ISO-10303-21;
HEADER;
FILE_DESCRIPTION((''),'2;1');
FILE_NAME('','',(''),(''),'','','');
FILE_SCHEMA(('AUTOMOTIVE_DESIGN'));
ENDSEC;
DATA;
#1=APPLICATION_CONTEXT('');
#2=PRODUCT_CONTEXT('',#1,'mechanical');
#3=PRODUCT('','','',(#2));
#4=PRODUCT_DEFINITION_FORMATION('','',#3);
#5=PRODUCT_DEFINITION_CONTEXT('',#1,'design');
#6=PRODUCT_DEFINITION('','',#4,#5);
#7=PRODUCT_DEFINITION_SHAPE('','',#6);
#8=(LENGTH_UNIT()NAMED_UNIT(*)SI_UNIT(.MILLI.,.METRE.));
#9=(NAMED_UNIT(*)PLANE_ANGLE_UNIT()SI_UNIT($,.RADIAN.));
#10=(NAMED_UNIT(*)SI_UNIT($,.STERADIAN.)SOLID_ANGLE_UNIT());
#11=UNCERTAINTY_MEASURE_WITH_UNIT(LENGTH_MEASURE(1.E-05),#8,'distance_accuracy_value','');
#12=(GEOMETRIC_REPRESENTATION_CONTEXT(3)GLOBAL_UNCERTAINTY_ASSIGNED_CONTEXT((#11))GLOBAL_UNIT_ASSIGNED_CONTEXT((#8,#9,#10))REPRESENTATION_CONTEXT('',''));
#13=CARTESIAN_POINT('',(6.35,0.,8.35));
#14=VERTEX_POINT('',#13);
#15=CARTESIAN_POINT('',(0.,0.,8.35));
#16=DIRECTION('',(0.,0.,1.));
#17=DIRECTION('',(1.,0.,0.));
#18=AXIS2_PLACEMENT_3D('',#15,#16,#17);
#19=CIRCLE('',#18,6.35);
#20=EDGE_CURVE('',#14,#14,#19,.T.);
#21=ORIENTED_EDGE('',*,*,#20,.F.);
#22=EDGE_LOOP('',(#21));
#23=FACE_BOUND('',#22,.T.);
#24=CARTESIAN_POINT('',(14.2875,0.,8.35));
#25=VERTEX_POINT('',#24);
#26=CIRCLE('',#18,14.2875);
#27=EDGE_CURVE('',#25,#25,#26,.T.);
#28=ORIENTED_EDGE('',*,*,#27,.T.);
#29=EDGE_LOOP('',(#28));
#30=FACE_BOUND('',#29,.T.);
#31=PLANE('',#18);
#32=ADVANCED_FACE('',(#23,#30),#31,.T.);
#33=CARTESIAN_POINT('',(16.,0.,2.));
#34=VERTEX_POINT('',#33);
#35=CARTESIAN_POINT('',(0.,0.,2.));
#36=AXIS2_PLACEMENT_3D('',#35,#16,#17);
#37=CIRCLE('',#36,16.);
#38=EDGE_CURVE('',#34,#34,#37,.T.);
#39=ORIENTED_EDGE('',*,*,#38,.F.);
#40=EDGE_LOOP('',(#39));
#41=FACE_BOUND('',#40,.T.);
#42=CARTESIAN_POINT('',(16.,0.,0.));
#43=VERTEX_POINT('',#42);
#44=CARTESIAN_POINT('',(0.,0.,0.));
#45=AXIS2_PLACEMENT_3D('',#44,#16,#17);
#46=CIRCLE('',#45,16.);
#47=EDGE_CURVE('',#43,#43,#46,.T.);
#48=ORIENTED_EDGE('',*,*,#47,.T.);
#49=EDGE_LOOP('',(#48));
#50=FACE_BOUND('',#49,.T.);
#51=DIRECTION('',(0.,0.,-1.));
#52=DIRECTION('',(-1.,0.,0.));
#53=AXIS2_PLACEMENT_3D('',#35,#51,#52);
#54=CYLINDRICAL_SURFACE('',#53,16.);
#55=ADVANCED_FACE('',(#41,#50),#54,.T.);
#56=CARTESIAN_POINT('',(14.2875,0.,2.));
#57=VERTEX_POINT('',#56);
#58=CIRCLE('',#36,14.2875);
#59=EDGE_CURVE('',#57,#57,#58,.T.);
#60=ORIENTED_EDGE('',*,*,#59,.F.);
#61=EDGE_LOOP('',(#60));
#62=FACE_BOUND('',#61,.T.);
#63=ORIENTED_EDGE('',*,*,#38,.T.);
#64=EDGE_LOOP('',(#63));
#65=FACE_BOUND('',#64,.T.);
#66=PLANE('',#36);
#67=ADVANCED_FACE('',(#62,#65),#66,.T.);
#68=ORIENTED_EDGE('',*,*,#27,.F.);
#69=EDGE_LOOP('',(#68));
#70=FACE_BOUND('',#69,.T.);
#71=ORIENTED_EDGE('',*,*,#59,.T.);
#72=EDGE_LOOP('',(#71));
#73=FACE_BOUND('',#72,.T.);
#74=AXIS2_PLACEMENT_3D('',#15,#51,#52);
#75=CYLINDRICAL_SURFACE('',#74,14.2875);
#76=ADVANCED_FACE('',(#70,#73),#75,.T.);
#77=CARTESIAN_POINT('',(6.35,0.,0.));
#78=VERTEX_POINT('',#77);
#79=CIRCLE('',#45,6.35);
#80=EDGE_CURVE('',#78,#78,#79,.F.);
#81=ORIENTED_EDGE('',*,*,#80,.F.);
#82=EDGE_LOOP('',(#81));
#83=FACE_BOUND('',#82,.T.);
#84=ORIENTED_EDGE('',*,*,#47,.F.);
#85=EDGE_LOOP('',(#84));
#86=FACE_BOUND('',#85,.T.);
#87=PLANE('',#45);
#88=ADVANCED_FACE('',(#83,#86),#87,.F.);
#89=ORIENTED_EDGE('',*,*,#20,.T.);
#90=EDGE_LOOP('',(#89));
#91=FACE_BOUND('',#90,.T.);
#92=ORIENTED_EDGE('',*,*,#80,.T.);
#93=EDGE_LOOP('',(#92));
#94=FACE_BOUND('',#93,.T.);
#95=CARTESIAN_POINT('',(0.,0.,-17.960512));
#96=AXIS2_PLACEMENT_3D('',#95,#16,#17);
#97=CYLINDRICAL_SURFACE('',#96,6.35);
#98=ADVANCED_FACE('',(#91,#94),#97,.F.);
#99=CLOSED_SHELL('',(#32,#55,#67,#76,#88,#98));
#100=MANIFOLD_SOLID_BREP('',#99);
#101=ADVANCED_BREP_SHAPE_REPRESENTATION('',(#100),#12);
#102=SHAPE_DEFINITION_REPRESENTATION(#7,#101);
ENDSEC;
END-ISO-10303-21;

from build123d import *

# Parameters (mm, degrees)
SKETCH1_R           = 16
BOSS_EXTRUDE1_DEPTH = 2
SKETCH2_R           = 14.2875
BOSS_EXTRUDE2_DEPTH = 6.35
SKETCH3_R           = 6.35
CUT_EXTRUDE1_DEPTH  = 8.35


with BuildPart() as part:
    # Sketch1 → Boss-Extrude1 (new body)
    with BuildSketch(Plane.XY):
        Circle(SKETCH1_R)
    extrude(amount=BOSS_EXTRUDE1_DEPTH)

    # Sketch2 → Boss-Extrude2 (add)
    with BuildSketch(Plane.XY.offset(2)):
        Circle(SKETCH2_R)
    extrude(amount=BOSS_EXTRUDE2_DEPTH)

    # Sketch3 → Cut-Extrude1 (cut)
    with BuildSketch(Plane.XY.offset(8.35)):
        Circle(SKETCH3_R)
    extrude(amount=-CUT_EXTRUDE1_DEPTH, mode=Mode.SUBTRACT)


solid = part.part
